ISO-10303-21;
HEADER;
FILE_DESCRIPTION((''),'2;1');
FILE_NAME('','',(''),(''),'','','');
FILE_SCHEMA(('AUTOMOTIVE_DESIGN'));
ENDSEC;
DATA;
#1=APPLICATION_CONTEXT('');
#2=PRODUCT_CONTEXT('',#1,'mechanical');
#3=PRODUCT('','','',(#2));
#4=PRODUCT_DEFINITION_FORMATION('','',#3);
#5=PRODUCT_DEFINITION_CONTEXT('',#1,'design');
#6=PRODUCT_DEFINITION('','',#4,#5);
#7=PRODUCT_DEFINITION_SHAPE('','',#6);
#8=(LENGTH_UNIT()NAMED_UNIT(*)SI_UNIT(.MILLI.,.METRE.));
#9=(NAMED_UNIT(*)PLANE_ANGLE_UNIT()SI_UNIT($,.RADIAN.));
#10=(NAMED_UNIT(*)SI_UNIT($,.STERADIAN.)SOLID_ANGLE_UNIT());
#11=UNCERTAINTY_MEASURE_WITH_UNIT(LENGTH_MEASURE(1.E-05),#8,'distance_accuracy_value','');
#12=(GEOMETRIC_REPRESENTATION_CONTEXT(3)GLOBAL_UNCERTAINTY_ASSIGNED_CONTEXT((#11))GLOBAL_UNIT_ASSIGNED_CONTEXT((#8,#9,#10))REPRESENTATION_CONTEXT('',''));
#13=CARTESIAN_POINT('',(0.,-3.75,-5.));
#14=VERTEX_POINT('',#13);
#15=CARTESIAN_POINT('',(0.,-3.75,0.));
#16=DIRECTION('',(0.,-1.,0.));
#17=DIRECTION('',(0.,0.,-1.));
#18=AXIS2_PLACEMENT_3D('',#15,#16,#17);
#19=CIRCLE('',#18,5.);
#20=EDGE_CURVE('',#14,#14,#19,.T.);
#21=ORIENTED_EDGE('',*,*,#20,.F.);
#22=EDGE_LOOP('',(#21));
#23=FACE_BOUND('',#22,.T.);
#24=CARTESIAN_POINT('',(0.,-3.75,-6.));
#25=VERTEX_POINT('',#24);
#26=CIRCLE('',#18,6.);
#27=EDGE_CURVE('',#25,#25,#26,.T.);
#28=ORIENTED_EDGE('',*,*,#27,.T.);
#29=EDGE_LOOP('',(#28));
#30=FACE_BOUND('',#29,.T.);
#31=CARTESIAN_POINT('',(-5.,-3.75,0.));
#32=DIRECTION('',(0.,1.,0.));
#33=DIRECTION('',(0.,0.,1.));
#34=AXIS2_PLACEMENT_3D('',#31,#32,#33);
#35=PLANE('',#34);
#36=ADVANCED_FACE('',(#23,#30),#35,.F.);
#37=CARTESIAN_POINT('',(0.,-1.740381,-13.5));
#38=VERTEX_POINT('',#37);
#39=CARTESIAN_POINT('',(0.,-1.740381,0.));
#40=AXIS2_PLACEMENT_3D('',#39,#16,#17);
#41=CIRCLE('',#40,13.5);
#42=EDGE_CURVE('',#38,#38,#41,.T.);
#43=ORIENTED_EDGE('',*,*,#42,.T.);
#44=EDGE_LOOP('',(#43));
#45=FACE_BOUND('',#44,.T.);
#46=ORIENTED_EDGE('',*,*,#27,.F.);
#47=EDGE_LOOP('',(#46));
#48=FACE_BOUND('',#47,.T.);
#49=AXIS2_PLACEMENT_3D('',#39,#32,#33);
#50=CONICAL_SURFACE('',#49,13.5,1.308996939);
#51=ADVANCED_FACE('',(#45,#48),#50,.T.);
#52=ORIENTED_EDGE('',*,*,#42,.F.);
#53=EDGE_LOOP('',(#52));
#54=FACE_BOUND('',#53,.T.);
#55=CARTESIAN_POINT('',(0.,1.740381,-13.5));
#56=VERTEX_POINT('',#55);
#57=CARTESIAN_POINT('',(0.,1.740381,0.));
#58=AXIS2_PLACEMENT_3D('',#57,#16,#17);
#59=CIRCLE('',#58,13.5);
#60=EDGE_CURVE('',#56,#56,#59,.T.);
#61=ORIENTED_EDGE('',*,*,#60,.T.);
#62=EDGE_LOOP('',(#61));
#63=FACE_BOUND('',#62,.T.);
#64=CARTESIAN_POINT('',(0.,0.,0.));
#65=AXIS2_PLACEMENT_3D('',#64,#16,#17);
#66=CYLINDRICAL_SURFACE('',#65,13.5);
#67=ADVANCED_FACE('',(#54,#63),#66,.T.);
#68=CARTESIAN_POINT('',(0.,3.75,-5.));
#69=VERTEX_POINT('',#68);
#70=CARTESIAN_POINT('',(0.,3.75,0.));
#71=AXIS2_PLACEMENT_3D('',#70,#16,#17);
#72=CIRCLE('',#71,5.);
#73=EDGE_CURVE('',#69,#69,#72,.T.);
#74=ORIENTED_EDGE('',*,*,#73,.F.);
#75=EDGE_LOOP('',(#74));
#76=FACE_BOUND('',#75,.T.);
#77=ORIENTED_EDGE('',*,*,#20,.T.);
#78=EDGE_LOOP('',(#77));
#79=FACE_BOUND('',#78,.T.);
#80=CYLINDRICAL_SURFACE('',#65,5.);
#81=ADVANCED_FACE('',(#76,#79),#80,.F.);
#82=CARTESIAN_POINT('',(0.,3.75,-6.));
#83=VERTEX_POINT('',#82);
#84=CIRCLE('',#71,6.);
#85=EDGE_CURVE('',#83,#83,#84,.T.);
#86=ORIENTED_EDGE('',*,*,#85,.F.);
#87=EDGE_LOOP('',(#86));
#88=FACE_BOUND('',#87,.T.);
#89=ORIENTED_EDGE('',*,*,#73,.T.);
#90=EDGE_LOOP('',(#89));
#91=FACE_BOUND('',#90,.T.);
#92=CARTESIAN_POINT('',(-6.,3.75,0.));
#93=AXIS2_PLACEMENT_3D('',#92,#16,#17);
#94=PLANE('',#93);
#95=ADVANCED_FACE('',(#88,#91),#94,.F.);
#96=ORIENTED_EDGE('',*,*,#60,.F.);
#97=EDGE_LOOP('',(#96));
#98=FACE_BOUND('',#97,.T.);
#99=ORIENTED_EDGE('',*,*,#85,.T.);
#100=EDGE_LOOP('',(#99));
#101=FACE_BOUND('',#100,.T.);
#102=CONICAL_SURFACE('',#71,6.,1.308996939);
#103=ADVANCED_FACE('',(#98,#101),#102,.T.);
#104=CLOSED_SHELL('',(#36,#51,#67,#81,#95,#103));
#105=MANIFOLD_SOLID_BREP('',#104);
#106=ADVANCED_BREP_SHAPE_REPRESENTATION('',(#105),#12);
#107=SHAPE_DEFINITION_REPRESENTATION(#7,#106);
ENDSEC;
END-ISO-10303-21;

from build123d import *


with BuildPart() as part:
    # 草图1 → 旋转1 (revolve)
    with BuildSketch(Plane.XY, mode=Mode.PRIVATE) as revolve_1_sk:
        Polygon((-13.5, -1.740381057), (-13.5, 1.740381057), (-6, 3.75), (-5, 3.75), (-5, -3.75), (-6, -3.75), align=None)
    revolve(revolve_1_sk.sketch.rotate(Axis((0, 0, 0), (0, 1, 0)), 270), axis=Axis((0, 0, 0), (0, 1, 0)))


solid = part.part
